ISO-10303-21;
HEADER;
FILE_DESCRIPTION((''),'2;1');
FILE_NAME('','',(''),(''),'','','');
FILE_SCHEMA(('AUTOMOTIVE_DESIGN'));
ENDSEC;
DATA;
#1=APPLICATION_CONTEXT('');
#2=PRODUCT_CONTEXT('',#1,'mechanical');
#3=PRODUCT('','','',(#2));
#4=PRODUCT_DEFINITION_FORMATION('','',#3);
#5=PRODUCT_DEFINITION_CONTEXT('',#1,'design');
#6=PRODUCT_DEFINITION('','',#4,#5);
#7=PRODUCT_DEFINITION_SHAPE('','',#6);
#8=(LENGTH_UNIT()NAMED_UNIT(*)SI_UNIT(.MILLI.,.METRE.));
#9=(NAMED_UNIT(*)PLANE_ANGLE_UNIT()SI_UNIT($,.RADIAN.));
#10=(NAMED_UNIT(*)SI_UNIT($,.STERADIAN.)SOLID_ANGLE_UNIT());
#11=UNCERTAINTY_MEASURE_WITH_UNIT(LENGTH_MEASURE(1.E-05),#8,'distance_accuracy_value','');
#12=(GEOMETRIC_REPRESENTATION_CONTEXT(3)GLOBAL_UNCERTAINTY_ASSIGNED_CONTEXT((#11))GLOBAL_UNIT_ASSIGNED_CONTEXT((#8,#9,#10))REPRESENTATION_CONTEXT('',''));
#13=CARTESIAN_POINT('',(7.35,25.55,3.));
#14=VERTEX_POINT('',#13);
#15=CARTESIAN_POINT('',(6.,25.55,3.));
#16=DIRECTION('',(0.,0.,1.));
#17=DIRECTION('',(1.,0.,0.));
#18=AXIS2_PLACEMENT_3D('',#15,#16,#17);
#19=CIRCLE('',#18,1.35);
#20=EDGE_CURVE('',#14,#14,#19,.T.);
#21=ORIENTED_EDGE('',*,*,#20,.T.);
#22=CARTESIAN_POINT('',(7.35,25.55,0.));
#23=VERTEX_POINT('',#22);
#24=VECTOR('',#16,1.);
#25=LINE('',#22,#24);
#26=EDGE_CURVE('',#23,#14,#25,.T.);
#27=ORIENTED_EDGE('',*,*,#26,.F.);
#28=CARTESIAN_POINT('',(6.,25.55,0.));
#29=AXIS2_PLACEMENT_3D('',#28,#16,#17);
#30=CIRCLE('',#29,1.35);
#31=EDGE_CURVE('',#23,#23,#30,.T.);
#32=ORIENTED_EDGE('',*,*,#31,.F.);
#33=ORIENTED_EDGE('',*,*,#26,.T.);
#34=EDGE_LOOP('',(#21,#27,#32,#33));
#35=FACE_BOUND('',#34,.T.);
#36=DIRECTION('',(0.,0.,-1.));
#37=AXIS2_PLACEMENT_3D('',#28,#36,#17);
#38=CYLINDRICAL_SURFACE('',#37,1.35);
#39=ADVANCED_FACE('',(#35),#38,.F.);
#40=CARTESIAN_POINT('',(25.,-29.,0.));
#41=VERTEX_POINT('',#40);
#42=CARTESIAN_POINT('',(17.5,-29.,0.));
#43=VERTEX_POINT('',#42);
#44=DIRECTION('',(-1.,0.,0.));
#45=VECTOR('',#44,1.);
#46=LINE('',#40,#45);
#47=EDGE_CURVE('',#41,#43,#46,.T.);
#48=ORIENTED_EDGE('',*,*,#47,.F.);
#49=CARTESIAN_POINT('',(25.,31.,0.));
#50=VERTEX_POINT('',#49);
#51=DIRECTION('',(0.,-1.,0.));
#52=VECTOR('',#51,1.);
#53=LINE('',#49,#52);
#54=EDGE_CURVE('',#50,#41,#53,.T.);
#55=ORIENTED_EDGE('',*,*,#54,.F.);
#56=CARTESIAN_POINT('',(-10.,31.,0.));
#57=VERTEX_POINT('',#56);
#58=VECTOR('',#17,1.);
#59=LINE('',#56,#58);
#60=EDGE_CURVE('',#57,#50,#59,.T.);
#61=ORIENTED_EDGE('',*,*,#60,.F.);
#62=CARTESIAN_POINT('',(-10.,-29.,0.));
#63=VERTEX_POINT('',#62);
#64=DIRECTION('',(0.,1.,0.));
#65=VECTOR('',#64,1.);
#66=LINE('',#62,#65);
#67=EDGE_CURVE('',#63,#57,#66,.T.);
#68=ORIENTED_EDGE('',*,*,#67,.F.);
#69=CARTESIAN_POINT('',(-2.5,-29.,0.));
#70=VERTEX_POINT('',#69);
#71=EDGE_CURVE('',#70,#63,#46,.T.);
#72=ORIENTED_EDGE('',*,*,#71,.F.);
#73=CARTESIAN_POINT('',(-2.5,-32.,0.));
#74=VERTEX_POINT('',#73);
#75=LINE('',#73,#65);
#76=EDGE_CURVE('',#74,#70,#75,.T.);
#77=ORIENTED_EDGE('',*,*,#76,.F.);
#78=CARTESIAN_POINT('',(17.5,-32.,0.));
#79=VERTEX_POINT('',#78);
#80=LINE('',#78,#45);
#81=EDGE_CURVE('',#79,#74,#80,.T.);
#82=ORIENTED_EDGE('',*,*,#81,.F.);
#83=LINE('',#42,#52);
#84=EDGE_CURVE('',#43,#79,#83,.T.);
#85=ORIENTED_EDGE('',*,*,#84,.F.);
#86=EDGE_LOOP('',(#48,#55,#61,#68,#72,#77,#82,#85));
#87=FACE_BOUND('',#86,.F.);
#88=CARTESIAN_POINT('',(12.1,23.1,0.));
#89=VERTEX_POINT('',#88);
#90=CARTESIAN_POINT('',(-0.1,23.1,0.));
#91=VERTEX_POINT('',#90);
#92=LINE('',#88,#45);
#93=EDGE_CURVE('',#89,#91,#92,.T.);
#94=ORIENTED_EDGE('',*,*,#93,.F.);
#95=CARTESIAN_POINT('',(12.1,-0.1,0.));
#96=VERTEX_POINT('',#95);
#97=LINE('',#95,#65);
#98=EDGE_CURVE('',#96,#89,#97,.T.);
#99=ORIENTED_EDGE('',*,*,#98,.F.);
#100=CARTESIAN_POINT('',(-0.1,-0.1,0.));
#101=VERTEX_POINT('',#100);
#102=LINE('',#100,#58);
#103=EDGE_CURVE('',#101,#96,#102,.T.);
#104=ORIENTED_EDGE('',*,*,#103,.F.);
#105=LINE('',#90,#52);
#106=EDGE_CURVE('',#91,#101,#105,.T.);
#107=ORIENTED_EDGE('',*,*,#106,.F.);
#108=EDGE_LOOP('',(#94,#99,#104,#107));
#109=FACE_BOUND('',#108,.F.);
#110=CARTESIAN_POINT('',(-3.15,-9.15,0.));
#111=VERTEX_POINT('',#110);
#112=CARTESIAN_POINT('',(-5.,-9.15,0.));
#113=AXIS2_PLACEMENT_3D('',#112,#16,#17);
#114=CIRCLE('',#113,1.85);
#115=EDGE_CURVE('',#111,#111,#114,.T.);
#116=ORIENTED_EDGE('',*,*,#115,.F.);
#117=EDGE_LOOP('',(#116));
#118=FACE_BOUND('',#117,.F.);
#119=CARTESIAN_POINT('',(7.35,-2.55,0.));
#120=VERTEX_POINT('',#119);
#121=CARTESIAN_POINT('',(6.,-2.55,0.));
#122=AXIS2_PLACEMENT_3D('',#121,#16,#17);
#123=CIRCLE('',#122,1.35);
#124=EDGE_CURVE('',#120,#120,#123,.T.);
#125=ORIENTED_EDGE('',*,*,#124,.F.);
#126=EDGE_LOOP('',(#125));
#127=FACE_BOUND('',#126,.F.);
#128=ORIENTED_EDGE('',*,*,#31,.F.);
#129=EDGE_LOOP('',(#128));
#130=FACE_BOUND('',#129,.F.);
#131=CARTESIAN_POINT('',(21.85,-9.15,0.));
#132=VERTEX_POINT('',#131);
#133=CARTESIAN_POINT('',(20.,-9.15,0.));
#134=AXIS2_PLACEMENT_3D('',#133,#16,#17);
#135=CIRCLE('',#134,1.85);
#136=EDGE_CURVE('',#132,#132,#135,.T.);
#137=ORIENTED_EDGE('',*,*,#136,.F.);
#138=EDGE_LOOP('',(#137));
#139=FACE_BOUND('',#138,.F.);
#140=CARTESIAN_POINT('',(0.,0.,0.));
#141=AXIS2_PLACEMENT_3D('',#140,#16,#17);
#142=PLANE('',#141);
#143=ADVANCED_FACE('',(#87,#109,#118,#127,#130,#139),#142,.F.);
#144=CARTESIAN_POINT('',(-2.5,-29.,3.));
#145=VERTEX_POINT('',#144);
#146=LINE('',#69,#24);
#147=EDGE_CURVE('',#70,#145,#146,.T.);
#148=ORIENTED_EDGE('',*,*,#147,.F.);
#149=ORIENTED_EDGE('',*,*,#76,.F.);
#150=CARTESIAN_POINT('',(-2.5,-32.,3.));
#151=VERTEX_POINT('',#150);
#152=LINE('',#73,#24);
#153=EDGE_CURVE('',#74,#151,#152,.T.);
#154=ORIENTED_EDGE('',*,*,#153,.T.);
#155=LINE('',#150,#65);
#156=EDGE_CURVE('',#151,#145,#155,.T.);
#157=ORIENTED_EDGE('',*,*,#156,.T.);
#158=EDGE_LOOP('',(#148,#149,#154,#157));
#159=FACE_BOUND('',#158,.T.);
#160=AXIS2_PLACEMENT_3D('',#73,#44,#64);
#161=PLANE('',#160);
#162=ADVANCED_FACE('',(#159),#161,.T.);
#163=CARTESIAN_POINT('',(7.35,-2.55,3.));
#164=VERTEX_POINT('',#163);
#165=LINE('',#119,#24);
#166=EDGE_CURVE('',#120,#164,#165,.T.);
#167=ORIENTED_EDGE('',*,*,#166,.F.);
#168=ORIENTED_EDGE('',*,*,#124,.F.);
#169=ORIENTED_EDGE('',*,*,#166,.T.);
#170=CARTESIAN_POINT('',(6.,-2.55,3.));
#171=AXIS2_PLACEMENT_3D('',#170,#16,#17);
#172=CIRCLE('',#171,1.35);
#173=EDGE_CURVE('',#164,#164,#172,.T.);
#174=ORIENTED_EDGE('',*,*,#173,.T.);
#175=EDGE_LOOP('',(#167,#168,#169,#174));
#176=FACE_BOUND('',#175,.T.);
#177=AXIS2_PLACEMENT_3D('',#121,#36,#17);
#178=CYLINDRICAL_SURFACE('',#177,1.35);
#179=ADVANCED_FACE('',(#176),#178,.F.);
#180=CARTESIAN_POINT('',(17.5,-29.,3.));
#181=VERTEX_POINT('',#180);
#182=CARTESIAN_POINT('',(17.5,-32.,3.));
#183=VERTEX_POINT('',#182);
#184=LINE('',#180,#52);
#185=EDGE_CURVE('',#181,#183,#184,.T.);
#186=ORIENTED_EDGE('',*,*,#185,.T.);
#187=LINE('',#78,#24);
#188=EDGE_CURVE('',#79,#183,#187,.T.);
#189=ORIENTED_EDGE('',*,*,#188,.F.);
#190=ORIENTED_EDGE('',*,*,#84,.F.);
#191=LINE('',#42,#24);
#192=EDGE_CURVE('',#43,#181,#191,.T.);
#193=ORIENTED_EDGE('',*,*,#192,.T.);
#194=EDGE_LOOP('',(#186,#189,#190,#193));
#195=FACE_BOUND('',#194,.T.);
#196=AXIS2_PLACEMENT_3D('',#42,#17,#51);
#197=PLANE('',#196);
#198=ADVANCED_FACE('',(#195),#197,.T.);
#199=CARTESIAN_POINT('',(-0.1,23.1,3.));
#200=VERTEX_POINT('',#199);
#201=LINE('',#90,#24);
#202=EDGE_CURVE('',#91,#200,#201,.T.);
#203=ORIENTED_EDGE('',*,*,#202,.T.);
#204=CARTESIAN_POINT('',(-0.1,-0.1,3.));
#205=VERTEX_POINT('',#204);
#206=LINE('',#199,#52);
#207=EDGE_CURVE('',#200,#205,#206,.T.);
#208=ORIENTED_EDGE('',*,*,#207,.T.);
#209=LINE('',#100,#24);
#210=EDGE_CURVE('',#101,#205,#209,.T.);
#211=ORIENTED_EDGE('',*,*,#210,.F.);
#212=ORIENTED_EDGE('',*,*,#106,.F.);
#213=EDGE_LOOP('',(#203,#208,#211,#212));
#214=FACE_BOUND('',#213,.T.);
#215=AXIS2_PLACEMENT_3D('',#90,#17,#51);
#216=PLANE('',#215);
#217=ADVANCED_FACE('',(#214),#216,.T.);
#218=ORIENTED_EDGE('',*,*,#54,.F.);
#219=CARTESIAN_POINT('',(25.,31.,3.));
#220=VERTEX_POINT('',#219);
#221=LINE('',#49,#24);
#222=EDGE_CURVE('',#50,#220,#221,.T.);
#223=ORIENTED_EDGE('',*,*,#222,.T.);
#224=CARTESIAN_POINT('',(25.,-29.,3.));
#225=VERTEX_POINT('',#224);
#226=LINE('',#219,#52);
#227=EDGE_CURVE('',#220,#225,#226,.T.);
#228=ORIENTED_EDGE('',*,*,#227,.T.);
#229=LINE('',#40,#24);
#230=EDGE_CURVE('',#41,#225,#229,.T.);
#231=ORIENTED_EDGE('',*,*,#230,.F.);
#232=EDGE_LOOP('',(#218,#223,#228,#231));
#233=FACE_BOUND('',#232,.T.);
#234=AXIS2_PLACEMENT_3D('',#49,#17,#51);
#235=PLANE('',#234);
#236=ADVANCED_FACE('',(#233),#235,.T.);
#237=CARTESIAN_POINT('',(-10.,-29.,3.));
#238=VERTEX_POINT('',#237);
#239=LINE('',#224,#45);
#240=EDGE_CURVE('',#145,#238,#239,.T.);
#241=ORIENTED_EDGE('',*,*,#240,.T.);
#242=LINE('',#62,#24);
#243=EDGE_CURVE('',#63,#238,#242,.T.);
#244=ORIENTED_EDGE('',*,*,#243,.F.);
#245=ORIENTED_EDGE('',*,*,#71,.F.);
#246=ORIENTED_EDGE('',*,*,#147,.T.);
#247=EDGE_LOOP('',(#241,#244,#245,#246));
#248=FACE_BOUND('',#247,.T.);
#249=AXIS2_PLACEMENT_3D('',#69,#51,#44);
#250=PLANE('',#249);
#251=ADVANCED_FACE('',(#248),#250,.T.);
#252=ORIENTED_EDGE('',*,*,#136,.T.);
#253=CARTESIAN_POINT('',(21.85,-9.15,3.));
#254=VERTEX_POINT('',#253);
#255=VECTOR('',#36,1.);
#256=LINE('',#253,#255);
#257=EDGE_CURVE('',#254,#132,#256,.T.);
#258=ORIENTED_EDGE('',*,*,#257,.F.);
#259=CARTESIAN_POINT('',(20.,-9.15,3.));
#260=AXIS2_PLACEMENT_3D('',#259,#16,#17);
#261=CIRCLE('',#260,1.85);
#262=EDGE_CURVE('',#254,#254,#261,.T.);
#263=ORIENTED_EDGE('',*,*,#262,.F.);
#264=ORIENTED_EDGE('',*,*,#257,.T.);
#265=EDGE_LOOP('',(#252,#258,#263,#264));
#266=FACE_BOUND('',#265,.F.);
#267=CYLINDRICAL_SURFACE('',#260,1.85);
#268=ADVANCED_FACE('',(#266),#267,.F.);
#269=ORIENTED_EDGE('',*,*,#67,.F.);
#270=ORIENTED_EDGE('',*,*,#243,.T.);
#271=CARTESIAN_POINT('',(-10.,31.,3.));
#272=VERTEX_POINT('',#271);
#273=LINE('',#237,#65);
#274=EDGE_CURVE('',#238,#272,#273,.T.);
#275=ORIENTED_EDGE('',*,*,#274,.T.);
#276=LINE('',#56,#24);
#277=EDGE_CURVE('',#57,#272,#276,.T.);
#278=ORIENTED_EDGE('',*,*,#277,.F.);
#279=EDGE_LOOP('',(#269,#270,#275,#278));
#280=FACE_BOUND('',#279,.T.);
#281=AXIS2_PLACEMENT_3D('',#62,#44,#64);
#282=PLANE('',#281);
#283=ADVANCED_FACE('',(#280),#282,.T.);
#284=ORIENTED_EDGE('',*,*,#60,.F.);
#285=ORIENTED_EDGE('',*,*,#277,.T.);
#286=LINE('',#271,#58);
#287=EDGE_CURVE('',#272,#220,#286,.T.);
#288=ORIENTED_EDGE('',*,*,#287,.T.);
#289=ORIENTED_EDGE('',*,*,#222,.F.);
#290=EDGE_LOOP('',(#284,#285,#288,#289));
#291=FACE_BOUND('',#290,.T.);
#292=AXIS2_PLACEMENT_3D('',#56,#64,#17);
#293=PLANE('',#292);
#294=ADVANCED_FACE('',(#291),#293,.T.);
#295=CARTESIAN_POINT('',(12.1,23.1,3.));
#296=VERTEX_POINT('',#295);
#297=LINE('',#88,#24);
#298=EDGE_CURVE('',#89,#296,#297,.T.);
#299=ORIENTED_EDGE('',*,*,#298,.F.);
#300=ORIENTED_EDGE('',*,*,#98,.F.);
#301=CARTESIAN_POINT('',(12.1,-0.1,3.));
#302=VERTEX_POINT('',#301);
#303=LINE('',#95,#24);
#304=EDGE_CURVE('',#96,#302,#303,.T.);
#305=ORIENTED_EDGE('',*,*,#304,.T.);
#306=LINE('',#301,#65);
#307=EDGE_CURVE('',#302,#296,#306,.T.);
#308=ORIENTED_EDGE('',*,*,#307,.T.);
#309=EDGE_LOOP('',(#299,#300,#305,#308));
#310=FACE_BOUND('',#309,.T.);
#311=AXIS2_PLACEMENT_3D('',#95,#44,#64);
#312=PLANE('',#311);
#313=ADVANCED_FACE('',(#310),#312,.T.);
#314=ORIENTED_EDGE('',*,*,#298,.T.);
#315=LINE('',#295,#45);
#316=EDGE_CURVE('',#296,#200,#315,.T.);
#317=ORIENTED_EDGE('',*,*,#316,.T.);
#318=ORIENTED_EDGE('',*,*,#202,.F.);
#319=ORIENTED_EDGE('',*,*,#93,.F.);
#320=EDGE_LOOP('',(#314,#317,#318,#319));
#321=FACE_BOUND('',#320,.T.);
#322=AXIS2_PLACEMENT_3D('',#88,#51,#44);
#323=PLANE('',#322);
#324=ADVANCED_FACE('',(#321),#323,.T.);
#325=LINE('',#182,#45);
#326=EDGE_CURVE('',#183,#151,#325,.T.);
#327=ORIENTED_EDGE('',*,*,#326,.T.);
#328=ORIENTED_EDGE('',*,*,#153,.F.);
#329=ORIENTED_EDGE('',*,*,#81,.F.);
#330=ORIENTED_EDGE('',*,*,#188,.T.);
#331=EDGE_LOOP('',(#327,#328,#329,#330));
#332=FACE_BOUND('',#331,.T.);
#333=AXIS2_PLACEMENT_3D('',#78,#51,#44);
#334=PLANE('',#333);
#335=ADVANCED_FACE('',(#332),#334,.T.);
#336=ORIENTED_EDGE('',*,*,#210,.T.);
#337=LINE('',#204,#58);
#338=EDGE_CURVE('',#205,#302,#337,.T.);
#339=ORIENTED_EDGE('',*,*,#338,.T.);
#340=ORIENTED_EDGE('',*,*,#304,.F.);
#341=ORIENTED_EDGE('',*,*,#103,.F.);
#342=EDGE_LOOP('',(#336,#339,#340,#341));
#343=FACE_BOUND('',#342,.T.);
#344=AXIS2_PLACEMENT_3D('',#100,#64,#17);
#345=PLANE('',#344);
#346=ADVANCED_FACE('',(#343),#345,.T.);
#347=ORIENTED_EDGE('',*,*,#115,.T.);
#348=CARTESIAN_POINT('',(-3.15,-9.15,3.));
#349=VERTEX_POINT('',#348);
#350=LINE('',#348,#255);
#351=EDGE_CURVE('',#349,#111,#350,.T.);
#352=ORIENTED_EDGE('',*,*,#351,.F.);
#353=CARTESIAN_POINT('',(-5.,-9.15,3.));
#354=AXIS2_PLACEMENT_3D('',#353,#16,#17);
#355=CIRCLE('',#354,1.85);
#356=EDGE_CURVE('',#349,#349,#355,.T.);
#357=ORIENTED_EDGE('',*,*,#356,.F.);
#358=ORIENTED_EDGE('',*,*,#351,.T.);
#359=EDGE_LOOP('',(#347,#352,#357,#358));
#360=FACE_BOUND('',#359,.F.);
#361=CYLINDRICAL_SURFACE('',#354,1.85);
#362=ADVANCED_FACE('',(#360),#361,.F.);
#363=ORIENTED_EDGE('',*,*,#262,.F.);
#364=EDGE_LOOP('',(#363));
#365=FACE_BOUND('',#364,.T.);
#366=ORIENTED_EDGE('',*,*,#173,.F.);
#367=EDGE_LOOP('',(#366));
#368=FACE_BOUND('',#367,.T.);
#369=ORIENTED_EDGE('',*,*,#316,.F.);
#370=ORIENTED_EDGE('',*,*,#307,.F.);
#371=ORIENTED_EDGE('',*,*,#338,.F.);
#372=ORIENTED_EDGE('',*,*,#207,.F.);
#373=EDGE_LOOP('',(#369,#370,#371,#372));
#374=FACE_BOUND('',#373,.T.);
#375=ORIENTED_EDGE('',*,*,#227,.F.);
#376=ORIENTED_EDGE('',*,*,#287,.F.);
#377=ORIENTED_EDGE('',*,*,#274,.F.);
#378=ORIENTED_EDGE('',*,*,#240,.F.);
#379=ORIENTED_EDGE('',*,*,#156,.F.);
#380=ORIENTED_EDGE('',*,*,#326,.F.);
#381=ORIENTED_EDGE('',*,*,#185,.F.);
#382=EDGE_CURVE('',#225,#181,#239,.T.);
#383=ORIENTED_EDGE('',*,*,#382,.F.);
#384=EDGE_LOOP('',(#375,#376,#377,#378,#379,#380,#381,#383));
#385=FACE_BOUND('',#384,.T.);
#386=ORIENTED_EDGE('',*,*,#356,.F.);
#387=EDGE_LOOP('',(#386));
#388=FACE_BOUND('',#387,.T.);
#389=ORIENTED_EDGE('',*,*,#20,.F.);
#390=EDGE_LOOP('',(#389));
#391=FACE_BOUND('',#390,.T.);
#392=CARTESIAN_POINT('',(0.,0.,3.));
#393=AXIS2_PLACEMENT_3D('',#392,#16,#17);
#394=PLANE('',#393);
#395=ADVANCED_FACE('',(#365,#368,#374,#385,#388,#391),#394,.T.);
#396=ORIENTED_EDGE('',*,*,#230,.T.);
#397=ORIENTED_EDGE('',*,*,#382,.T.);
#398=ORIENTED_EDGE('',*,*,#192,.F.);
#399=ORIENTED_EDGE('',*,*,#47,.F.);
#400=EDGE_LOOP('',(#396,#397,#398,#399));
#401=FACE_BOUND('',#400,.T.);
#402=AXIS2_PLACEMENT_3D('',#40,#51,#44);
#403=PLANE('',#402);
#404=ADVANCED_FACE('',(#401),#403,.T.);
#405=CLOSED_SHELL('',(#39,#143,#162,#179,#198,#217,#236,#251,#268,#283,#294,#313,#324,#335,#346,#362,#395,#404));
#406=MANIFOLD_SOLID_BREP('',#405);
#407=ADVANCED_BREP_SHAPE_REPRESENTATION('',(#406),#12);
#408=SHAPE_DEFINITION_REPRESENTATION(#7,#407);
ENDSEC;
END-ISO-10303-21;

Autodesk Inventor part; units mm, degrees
ref_plane "YZ Plane" through (0, 0, 0) normal (1, 0, 0) x (0, 1, 0)
ref_plane "XZ Plane" through (0, 0, 0) normal (0, 1, 0) x (-1, 0, 0)
ref_plane "XY Plane" through (0, 0, 0) normal (0, 0, 1) x (1, 0, 0)
sketch "Sketch1" plane through (0, 0, 0) normal (0, 0, 1) x (1, 0, 0)
  line L0 (12, 23) -> (0, 23) projected
  line L1 (0, 23) -> (0, 0) projected
  line L2 (0, 0) -> (12, 0) projected
  line L3 (12, 0) -> (12, 23) projected
  line L4 (0, 27.5) -> (5.5, 27.5) construction
  line L5 (6.5, 27.5) -> (12, 27.5) construction
  line L6 (0, -4.5) -> (5.5, -4.5) construction
  line L7 (6.5, -4.5) -> (12, -4.5) construction
  line L8 (-10, 3) -> (-10, 31) construction
  line L9 (25, 31) -> (25, 22) construction
  line L10 (25, 12) -> (25, 3) construction
  circle A0 centre (6, 17) radius 2 construction
  circle A1 centre (6, 17) radius 36.225 construction
  circle A2 centre (6, 17) radius 37.6464 construction
  line L11 (-10, 31) -> (25, 31)
  line L12 (25, 31) -> (25, -29)
  line L13 (25, -29) -> (-10, -29)
  line L14 (-10, -29) -> (-10, 31)
  line L15 (7.5, -29) -> (7.5, 31) construction
  line L16 (-2.5, -29) -> (17.5, -29)
  line L17 (17.5, -29) -> (17.5, -32)
  line L18 (17.5, -32) -> (-2.5, -32)
  line L19 (-2.5, -32) -> (-2.5, -29)
  arc A3 (6.5, -3.804) -> (5.5, -3.804) centre (6, -2.55) ccw construction
  arc A4 (5.5, 26.804) -> (6.5, 26.804) centre (6, 25.55) ccw construction
  circle A5 centre (6, 25.55) radius 1.35
  circle A6 centre (6, -2.55) radius 1.35
  line L20 (12.1, 23.1) -> (-0.1, 23.1)
  line L21 (-0.1, 23.1) -> (-0.1, -0.1)
  line L22 (-0.1, -0.1) -> (12.1, -0.1)
  line L23 (12.1, -0.1) -> (12.1, 23.1)
  point P0 (22, -15.5)
  point P1 (25, -15.5)
  dimension "d0" = 60
  dimension "d1" = 3
  dimension "d2" = 10
  dimension "d3" = 10
  dimension "d4" = 0.1
  dimension "d5" = 0.1
  dimension "d6" = 0.1
  dimension "d7" = 0.1
extrude "Extrusion1" add sketch "Sketch1" along normal blind 3 contours L11 L12 L13 L14 | L13 L17 L18 L19
sketch "Sketch2" plane through (0, 0, 3) normal (0, 0, 1) x (1, 0, 0)
  circle A0 centre (-5, -9.15) radius 1.85 projected
  circle A1 centre (20, -9.15) radius 1.85 projected
  point P0 (0, 0)
extrude "Extrusion2" cut sketch "Sketch2" against normal blind 6.175
properties part number "Camera mount raiser"
